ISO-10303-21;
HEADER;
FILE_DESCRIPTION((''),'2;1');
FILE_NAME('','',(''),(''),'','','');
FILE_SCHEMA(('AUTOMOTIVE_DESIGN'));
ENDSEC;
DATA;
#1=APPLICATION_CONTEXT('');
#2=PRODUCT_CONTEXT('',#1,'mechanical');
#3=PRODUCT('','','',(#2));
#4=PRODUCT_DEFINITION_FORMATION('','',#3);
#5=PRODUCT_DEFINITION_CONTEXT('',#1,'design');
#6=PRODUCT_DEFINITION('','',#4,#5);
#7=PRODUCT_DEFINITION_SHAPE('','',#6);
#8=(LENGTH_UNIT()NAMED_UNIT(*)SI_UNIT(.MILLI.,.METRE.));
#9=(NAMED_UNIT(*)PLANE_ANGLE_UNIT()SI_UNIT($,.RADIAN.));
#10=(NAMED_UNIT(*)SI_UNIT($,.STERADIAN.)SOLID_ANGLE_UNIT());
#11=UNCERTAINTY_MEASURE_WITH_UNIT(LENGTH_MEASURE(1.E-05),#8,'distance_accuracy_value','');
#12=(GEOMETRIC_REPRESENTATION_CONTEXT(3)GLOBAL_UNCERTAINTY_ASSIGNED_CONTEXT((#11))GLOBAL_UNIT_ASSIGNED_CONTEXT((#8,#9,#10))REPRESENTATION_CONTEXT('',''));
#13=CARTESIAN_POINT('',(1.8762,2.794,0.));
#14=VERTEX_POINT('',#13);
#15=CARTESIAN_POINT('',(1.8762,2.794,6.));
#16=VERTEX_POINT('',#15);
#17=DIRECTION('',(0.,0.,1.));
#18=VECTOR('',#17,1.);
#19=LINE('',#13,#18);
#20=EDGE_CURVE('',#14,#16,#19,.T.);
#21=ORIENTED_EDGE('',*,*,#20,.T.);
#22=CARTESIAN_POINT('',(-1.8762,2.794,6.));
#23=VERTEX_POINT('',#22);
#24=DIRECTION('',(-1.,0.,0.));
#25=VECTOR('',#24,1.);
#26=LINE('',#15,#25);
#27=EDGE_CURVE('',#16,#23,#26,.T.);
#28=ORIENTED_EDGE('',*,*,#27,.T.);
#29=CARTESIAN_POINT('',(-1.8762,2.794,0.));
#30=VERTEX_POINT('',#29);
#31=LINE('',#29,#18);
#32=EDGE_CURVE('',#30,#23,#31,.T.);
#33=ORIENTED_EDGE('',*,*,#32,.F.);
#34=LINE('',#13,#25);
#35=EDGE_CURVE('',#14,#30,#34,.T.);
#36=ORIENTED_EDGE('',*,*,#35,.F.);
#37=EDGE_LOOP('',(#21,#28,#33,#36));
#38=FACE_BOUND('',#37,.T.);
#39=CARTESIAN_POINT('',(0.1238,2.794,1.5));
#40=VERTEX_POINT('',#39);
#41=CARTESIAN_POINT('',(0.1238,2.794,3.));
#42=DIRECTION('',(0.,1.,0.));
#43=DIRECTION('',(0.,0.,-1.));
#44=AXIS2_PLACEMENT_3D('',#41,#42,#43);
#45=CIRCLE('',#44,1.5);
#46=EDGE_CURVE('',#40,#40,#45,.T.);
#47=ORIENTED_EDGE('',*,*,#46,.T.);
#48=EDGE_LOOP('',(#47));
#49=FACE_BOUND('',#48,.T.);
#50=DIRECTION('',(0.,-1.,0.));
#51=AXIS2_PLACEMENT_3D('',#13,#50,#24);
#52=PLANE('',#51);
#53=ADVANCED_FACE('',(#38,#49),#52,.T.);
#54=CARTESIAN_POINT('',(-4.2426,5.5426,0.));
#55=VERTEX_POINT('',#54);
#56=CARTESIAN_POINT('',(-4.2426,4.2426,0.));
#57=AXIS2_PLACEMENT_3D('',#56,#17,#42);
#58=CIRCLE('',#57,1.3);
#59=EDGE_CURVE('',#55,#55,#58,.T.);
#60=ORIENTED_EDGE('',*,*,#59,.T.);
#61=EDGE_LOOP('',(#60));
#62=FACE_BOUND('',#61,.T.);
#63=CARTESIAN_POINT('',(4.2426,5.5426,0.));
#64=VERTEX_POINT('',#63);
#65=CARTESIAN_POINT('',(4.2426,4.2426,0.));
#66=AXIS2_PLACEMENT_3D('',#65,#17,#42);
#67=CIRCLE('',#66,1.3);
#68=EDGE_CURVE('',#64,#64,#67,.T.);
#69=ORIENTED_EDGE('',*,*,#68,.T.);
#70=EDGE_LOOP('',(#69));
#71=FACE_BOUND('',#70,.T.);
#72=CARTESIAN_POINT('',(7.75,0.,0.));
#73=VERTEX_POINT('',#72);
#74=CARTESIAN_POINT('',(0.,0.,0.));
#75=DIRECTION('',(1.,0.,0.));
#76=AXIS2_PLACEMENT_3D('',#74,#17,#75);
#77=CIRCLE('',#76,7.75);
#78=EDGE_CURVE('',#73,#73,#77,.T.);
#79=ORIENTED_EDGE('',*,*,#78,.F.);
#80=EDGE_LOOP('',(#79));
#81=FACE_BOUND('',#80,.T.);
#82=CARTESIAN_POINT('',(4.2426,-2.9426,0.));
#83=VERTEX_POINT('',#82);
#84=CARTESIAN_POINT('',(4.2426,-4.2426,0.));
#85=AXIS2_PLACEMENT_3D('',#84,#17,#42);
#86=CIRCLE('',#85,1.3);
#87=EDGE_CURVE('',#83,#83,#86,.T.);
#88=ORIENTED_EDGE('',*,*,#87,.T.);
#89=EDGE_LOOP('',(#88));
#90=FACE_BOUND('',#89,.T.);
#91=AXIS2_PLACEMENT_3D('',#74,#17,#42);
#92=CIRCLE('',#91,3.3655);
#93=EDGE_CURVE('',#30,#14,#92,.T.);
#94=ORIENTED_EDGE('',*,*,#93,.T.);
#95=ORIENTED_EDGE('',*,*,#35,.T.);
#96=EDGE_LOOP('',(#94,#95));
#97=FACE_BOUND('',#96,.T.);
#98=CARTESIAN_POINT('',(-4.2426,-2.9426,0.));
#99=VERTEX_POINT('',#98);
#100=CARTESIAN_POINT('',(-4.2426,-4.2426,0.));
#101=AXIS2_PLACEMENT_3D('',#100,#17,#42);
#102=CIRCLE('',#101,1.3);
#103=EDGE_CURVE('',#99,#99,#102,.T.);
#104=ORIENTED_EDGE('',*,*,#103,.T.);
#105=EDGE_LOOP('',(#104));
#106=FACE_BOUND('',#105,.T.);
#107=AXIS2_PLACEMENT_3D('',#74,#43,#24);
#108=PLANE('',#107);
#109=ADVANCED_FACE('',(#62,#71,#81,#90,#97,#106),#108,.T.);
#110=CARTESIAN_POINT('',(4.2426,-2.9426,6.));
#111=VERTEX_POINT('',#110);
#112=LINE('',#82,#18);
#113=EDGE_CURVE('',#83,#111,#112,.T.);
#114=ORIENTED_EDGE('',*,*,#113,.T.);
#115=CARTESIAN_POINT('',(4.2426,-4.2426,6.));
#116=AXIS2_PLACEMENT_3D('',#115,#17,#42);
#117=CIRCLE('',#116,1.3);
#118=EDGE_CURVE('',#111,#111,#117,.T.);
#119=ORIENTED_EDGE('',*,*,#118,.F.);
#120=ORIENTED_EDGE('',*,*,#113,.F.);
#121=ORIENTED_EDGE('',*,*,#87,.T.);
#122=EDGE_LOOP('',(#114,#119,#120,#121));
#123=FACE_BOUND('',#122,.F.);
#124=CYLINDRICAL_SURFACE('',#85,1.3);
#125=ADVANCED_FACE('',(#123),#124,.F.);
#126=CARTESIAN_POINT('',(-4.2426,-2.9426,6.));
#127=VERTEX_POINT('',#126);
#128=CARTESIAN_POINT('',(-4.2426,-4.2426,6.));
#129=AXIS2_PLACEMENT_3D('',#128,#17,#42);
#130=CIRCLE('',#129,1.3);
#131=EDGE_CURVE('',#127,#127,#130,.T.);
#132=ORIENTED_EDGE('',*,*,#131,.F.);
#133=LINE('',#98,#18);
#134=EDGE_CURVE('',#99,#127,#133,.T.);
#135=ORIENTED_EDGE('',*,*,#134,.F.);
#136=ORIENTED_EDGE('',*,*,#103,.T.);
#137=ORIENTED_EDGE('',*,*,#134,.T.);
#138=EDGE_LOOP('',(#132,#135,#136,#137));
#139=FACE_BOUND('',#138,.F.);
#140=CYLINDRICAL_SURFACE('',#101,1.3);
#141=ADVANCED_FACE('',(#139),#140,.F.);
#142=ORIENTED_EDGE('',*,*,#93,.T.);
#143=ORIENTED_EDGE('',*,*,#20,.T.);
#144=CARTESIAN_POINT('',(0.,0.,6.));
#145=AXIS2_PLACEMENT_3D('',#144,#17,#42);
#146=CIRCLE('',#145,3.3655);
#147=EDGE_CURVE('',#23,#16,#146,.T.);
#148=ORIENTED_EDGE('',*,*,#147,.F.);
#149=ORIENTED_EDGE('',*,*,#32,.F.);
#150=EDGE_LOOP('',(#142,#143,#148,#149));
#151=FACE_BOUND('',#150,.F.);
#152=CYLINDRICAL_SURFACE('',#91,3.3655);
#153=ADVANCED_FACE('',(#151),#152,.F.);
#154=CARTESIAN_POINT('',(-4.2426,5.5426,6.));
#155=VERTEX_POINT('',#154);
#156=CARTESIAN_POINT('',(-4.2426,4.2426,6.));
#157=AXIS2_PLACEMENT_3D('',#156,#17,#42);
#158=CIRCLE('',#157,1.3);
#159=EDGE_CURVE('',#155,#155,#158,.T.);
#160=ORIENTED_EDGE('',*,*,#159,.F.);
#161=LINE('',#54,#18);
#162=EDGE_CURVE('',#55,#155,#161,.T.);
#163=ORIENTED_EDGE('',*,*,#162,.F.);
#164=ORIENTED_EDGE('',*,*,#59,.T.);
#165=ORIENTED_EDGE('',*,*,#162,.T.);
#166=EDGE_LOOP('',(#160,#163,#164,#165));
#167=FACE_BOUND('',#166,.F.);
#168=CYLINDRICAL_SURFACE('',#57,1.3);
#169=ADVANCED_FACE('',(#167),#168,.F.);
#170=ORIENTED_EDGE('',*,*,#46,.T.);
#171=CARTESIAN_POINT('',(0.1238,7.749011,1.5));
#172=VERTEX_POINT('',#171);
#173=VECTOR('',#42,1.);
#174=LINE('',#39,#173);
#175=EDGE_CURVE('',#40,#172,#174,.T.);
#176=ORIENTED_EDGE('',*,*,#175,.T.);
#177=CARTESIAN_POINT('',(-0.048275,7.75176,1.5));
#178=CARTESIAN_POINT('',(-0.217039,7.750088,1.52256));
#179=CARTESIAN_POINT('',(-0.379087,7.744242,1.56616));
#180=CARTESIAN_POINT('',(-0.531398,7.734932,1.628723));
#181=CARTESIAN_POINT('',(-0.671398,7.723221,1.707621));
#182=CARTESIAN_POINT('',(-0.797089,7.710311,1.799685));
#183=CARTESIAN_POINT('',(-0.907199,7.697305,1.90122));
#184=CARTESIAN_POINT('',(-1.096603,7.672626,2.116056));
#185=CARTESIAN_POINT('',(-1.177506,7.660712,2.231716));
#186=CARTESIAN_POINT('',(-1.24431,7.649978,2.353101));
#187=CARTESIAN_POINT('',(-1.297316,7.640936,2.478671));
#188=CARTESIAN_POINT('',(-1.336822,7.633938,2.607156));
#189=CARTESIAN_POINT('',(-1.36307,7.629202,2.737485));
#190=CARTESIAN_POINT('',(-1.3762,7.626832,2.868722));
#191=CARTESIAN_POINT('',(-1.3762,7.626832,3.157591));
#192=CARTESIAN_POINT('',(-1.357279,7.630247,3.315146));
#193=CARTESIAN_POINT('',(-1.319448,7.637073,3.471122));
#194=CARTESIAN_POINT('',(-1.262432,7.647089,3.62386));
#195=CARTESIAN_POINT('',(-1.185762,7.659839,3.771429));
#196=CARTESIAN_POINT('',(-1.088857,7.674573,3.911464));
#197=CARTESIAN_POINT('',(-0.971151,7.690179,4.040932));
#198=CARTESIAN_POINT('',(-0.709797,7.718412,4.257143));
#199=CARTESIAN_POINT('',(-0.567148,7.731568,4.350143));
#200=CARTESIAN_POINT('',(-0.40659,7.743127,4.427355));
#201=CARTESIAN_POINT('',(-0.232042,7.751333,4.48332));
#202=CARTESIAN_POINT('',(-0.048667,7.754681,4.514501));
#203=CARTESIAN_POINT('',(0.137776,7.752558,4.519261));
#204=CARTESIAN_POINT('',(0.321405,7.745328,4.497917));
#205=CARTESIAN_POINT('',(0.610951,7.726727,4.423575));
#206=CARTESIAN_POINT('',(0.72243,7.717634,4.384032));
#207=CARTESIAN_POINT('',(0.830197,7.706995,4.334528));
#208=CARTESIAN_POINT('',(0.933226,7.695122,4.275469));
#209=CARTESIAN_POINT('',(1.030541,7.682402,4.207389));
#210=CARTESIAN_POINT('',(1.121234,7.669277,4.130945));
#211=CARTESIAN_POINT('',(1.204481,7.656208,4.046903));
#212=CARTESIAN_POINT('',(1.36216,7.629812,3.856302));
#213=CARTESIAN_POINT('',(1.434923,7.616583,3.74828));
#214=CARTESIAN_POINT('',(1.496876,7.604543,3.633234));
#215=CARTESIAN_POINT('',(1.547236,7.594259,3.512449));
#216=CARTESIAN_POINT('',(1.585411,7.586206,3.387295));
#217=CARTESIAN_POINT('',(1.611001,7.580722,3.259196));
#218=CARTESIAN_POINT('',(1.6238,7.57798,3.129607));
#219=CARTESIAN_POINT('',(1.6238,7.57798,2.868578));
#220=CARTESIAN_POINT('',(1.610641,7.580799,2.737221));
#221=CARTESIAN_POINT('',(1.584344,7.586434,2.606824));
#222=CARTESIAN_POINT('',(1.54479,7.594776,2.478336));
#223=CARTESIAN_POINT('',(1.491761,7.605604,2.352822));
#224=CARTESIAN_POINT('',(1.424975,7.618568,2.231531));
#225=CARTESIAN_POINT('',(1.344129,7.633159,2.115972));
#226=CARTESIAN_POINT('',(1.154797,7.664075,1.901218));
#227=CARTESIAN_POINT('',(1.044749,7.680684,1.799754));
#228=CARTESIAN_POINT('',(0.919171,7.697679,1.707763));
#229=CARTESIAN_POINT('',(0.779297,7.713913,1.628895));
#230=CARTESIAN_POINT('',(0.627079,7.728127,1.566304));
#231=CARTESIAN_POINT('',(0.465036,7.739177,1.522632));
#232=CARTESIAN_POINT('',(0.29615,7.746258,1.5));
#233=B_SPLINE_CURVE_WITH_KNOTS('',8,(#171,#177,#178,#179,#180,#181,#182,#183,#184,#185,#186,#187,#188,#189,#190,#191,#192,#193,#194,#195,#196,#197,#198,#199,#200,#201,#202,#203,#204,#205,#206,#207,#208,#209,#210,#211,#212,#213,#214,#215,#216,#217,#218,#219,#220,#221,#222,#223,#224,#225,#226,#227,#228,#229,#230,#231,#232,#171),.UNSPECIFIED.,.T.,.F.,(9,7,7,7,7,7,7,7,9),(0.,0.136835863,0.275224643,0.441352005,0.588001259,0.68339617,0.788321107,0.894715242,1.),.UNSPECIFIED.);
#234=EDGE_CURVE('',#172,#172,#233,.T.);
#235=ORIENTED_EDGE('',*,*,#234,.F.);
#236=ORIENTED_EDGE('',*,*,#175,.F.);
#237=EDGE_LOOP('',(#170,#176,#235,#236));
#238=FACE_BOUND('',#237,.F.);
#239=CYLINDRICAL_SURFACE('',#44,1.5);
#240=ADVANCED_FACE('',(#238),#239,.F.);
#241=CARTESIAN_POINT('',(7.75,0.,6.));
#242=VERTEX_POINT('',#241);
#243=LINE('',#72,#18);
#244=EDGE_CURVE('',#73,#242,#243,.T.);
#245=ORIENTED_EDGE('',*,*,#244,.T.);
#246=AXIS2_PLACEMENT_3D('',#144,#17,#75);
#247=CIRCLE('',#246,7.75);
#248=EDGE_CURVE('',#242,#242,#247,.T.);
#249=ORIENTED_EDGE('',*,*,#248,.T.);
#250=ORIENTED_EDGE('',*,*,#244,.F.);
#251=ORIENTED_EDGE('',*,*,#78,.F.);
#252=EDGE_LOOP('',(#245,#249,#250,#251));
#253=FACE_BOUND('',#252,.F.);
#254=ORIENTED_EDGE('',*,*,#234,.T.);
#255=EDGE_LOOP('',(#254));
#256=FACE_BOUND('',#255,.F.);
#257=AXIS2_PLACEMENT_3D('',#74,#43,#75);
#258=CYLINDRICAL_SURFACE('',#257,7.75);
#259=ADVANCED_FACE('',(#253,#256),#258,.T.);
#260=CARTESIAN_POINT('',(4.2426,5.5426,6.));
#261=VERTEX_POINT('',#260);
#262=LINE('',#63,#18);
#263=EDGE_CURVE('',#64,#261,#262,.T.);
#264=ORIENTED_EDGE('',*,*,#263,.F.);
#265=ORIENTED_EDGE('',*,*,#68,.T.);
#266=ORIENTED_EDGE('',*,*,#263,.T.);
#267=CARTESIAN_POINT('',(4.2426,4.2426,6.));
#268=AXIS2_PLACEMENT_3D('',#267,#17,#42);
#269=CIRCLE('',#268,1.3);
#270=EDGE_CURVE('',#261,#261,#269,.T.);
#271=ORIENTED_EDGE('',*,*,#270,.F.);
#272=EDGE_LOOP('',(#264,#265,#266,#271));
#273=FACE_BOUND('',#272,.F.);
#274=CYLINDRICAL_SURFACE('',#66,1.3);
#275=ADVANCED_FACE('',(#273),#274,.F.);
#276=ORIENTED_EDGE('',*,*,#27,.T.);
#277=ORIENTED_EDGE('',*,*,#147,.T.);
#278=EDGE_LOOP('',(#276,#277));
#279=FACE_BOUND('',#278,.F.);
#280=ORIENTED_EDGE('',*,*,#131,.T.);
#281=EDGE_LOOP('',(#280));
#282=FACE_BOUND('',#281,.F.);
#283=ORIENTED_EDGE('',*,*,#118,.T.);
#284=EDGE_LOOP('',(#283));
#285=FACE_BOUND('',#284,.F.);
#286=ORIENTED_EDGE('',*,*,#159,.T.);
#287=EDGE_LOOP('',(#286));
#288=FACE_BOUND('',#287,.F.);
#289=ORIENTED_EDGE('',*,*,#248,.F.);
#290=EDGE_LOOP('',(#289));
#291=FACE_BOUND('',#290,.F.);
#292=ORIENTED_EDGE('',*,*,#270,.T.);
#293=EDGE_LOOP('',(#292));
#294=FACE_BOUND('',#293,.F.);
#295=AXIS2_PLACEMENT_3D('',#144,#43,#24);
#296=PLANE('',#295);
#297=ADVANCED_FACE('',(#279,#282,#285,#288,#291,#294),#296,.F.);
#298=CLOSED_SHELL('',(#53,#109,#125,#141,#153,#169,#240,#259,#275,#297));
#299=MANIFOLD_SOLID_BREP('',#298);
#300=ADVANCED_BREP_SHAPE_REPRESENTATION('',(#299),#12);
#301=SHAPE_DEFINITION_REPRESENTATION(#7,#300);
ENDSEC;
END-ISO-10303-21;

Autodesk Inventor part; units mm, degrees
ref_plane "YZ Plane" through (0, 0, 0) normal (1, 0, 0) x (0, 1, 0)
ref_plane "XZ Plane" through (0, 0, 0) normal (0, 1, 0) x (-1, 0, 0)
ref_plane "XY Plane" through (0, 0, 0) normal (0, 0, 1) x (1, 0, 0)
sketch "Sketch6" plane through (0, 0, 0) normal (0, 0, 1) x (1, 0, 0)
  circle A0 centre (0, 0) radius 7.75
  dimension "d44" = 15.5
extrude "Extrusion5" add sketch "Sketch6" along normal blind 6
sketch "Sketch7" plane through (0, 0, 0) normal (0, 0, -1) x (-1, 0, 0)
  point P0 (0, 0)
  point P1 (4.2426, 4.2426)
  point P2 (-4.2426, 4.2426)
  point P3 (-4.2426, -4.2426)
  point P4 (4.2426, -4.2426)
  dimension "d47" = 6
  dimension "d50" = 360
  dimension "d74" = 4.2426
hole "Hole4" at (-4.2426, 4.2426, 0) at (4.2426, 4.2426, 0) at (4.2426, -4.2426, 0) at (-4.2426, -4.2426, 0) direction (0, 0, 1) diameter 2.6 end through all
hole "Hole5" at (0, 0, 0) direction (0, 0, 1) diameter 6.731 end through all
sketch "Sketch8" plane through (0, 0, 0) normal (0, 0, -1) x (-1, 0, 0)
  circle A0 centre (0, 0) radius 3.3655 projected
  line L0 (-1.8762, 2.794) -> (1.8762, 2.794)
  line L1 (1.8762, 2.794) -> (1.8762, 3.429)
  line L2 (1.8762, 3.429) -> (-1.8762, 3.429)
  line L3 (-1.8762, 3.429) -> (-1.8762, 2.794)
  dimension "d70" = 2.794
  dimension "d71" = 0.635
extrude "Extrusion6" add sketch "Sketch8" against normal blind 6 contours L0 A0 picked at (-0.1324, 2.9767)
sketch "Sketch9" plane through (-1.8762, 2.794, 0) normal (0, -1, 0) x (1, 0, 0)
  line L0 (0, 0) -> (0, 6) projected
  line L1 (3.7524, 0) -> (0, 0) projected
  point P0 (2, 3)
  dimension "d75" = 2
  dimension "d85" = 3
hole "Hole6" at (0.1238, 2.794, 3) direction (0, 1, 0) diameter 3 end through all
properties part number "omniWheelInsert"
